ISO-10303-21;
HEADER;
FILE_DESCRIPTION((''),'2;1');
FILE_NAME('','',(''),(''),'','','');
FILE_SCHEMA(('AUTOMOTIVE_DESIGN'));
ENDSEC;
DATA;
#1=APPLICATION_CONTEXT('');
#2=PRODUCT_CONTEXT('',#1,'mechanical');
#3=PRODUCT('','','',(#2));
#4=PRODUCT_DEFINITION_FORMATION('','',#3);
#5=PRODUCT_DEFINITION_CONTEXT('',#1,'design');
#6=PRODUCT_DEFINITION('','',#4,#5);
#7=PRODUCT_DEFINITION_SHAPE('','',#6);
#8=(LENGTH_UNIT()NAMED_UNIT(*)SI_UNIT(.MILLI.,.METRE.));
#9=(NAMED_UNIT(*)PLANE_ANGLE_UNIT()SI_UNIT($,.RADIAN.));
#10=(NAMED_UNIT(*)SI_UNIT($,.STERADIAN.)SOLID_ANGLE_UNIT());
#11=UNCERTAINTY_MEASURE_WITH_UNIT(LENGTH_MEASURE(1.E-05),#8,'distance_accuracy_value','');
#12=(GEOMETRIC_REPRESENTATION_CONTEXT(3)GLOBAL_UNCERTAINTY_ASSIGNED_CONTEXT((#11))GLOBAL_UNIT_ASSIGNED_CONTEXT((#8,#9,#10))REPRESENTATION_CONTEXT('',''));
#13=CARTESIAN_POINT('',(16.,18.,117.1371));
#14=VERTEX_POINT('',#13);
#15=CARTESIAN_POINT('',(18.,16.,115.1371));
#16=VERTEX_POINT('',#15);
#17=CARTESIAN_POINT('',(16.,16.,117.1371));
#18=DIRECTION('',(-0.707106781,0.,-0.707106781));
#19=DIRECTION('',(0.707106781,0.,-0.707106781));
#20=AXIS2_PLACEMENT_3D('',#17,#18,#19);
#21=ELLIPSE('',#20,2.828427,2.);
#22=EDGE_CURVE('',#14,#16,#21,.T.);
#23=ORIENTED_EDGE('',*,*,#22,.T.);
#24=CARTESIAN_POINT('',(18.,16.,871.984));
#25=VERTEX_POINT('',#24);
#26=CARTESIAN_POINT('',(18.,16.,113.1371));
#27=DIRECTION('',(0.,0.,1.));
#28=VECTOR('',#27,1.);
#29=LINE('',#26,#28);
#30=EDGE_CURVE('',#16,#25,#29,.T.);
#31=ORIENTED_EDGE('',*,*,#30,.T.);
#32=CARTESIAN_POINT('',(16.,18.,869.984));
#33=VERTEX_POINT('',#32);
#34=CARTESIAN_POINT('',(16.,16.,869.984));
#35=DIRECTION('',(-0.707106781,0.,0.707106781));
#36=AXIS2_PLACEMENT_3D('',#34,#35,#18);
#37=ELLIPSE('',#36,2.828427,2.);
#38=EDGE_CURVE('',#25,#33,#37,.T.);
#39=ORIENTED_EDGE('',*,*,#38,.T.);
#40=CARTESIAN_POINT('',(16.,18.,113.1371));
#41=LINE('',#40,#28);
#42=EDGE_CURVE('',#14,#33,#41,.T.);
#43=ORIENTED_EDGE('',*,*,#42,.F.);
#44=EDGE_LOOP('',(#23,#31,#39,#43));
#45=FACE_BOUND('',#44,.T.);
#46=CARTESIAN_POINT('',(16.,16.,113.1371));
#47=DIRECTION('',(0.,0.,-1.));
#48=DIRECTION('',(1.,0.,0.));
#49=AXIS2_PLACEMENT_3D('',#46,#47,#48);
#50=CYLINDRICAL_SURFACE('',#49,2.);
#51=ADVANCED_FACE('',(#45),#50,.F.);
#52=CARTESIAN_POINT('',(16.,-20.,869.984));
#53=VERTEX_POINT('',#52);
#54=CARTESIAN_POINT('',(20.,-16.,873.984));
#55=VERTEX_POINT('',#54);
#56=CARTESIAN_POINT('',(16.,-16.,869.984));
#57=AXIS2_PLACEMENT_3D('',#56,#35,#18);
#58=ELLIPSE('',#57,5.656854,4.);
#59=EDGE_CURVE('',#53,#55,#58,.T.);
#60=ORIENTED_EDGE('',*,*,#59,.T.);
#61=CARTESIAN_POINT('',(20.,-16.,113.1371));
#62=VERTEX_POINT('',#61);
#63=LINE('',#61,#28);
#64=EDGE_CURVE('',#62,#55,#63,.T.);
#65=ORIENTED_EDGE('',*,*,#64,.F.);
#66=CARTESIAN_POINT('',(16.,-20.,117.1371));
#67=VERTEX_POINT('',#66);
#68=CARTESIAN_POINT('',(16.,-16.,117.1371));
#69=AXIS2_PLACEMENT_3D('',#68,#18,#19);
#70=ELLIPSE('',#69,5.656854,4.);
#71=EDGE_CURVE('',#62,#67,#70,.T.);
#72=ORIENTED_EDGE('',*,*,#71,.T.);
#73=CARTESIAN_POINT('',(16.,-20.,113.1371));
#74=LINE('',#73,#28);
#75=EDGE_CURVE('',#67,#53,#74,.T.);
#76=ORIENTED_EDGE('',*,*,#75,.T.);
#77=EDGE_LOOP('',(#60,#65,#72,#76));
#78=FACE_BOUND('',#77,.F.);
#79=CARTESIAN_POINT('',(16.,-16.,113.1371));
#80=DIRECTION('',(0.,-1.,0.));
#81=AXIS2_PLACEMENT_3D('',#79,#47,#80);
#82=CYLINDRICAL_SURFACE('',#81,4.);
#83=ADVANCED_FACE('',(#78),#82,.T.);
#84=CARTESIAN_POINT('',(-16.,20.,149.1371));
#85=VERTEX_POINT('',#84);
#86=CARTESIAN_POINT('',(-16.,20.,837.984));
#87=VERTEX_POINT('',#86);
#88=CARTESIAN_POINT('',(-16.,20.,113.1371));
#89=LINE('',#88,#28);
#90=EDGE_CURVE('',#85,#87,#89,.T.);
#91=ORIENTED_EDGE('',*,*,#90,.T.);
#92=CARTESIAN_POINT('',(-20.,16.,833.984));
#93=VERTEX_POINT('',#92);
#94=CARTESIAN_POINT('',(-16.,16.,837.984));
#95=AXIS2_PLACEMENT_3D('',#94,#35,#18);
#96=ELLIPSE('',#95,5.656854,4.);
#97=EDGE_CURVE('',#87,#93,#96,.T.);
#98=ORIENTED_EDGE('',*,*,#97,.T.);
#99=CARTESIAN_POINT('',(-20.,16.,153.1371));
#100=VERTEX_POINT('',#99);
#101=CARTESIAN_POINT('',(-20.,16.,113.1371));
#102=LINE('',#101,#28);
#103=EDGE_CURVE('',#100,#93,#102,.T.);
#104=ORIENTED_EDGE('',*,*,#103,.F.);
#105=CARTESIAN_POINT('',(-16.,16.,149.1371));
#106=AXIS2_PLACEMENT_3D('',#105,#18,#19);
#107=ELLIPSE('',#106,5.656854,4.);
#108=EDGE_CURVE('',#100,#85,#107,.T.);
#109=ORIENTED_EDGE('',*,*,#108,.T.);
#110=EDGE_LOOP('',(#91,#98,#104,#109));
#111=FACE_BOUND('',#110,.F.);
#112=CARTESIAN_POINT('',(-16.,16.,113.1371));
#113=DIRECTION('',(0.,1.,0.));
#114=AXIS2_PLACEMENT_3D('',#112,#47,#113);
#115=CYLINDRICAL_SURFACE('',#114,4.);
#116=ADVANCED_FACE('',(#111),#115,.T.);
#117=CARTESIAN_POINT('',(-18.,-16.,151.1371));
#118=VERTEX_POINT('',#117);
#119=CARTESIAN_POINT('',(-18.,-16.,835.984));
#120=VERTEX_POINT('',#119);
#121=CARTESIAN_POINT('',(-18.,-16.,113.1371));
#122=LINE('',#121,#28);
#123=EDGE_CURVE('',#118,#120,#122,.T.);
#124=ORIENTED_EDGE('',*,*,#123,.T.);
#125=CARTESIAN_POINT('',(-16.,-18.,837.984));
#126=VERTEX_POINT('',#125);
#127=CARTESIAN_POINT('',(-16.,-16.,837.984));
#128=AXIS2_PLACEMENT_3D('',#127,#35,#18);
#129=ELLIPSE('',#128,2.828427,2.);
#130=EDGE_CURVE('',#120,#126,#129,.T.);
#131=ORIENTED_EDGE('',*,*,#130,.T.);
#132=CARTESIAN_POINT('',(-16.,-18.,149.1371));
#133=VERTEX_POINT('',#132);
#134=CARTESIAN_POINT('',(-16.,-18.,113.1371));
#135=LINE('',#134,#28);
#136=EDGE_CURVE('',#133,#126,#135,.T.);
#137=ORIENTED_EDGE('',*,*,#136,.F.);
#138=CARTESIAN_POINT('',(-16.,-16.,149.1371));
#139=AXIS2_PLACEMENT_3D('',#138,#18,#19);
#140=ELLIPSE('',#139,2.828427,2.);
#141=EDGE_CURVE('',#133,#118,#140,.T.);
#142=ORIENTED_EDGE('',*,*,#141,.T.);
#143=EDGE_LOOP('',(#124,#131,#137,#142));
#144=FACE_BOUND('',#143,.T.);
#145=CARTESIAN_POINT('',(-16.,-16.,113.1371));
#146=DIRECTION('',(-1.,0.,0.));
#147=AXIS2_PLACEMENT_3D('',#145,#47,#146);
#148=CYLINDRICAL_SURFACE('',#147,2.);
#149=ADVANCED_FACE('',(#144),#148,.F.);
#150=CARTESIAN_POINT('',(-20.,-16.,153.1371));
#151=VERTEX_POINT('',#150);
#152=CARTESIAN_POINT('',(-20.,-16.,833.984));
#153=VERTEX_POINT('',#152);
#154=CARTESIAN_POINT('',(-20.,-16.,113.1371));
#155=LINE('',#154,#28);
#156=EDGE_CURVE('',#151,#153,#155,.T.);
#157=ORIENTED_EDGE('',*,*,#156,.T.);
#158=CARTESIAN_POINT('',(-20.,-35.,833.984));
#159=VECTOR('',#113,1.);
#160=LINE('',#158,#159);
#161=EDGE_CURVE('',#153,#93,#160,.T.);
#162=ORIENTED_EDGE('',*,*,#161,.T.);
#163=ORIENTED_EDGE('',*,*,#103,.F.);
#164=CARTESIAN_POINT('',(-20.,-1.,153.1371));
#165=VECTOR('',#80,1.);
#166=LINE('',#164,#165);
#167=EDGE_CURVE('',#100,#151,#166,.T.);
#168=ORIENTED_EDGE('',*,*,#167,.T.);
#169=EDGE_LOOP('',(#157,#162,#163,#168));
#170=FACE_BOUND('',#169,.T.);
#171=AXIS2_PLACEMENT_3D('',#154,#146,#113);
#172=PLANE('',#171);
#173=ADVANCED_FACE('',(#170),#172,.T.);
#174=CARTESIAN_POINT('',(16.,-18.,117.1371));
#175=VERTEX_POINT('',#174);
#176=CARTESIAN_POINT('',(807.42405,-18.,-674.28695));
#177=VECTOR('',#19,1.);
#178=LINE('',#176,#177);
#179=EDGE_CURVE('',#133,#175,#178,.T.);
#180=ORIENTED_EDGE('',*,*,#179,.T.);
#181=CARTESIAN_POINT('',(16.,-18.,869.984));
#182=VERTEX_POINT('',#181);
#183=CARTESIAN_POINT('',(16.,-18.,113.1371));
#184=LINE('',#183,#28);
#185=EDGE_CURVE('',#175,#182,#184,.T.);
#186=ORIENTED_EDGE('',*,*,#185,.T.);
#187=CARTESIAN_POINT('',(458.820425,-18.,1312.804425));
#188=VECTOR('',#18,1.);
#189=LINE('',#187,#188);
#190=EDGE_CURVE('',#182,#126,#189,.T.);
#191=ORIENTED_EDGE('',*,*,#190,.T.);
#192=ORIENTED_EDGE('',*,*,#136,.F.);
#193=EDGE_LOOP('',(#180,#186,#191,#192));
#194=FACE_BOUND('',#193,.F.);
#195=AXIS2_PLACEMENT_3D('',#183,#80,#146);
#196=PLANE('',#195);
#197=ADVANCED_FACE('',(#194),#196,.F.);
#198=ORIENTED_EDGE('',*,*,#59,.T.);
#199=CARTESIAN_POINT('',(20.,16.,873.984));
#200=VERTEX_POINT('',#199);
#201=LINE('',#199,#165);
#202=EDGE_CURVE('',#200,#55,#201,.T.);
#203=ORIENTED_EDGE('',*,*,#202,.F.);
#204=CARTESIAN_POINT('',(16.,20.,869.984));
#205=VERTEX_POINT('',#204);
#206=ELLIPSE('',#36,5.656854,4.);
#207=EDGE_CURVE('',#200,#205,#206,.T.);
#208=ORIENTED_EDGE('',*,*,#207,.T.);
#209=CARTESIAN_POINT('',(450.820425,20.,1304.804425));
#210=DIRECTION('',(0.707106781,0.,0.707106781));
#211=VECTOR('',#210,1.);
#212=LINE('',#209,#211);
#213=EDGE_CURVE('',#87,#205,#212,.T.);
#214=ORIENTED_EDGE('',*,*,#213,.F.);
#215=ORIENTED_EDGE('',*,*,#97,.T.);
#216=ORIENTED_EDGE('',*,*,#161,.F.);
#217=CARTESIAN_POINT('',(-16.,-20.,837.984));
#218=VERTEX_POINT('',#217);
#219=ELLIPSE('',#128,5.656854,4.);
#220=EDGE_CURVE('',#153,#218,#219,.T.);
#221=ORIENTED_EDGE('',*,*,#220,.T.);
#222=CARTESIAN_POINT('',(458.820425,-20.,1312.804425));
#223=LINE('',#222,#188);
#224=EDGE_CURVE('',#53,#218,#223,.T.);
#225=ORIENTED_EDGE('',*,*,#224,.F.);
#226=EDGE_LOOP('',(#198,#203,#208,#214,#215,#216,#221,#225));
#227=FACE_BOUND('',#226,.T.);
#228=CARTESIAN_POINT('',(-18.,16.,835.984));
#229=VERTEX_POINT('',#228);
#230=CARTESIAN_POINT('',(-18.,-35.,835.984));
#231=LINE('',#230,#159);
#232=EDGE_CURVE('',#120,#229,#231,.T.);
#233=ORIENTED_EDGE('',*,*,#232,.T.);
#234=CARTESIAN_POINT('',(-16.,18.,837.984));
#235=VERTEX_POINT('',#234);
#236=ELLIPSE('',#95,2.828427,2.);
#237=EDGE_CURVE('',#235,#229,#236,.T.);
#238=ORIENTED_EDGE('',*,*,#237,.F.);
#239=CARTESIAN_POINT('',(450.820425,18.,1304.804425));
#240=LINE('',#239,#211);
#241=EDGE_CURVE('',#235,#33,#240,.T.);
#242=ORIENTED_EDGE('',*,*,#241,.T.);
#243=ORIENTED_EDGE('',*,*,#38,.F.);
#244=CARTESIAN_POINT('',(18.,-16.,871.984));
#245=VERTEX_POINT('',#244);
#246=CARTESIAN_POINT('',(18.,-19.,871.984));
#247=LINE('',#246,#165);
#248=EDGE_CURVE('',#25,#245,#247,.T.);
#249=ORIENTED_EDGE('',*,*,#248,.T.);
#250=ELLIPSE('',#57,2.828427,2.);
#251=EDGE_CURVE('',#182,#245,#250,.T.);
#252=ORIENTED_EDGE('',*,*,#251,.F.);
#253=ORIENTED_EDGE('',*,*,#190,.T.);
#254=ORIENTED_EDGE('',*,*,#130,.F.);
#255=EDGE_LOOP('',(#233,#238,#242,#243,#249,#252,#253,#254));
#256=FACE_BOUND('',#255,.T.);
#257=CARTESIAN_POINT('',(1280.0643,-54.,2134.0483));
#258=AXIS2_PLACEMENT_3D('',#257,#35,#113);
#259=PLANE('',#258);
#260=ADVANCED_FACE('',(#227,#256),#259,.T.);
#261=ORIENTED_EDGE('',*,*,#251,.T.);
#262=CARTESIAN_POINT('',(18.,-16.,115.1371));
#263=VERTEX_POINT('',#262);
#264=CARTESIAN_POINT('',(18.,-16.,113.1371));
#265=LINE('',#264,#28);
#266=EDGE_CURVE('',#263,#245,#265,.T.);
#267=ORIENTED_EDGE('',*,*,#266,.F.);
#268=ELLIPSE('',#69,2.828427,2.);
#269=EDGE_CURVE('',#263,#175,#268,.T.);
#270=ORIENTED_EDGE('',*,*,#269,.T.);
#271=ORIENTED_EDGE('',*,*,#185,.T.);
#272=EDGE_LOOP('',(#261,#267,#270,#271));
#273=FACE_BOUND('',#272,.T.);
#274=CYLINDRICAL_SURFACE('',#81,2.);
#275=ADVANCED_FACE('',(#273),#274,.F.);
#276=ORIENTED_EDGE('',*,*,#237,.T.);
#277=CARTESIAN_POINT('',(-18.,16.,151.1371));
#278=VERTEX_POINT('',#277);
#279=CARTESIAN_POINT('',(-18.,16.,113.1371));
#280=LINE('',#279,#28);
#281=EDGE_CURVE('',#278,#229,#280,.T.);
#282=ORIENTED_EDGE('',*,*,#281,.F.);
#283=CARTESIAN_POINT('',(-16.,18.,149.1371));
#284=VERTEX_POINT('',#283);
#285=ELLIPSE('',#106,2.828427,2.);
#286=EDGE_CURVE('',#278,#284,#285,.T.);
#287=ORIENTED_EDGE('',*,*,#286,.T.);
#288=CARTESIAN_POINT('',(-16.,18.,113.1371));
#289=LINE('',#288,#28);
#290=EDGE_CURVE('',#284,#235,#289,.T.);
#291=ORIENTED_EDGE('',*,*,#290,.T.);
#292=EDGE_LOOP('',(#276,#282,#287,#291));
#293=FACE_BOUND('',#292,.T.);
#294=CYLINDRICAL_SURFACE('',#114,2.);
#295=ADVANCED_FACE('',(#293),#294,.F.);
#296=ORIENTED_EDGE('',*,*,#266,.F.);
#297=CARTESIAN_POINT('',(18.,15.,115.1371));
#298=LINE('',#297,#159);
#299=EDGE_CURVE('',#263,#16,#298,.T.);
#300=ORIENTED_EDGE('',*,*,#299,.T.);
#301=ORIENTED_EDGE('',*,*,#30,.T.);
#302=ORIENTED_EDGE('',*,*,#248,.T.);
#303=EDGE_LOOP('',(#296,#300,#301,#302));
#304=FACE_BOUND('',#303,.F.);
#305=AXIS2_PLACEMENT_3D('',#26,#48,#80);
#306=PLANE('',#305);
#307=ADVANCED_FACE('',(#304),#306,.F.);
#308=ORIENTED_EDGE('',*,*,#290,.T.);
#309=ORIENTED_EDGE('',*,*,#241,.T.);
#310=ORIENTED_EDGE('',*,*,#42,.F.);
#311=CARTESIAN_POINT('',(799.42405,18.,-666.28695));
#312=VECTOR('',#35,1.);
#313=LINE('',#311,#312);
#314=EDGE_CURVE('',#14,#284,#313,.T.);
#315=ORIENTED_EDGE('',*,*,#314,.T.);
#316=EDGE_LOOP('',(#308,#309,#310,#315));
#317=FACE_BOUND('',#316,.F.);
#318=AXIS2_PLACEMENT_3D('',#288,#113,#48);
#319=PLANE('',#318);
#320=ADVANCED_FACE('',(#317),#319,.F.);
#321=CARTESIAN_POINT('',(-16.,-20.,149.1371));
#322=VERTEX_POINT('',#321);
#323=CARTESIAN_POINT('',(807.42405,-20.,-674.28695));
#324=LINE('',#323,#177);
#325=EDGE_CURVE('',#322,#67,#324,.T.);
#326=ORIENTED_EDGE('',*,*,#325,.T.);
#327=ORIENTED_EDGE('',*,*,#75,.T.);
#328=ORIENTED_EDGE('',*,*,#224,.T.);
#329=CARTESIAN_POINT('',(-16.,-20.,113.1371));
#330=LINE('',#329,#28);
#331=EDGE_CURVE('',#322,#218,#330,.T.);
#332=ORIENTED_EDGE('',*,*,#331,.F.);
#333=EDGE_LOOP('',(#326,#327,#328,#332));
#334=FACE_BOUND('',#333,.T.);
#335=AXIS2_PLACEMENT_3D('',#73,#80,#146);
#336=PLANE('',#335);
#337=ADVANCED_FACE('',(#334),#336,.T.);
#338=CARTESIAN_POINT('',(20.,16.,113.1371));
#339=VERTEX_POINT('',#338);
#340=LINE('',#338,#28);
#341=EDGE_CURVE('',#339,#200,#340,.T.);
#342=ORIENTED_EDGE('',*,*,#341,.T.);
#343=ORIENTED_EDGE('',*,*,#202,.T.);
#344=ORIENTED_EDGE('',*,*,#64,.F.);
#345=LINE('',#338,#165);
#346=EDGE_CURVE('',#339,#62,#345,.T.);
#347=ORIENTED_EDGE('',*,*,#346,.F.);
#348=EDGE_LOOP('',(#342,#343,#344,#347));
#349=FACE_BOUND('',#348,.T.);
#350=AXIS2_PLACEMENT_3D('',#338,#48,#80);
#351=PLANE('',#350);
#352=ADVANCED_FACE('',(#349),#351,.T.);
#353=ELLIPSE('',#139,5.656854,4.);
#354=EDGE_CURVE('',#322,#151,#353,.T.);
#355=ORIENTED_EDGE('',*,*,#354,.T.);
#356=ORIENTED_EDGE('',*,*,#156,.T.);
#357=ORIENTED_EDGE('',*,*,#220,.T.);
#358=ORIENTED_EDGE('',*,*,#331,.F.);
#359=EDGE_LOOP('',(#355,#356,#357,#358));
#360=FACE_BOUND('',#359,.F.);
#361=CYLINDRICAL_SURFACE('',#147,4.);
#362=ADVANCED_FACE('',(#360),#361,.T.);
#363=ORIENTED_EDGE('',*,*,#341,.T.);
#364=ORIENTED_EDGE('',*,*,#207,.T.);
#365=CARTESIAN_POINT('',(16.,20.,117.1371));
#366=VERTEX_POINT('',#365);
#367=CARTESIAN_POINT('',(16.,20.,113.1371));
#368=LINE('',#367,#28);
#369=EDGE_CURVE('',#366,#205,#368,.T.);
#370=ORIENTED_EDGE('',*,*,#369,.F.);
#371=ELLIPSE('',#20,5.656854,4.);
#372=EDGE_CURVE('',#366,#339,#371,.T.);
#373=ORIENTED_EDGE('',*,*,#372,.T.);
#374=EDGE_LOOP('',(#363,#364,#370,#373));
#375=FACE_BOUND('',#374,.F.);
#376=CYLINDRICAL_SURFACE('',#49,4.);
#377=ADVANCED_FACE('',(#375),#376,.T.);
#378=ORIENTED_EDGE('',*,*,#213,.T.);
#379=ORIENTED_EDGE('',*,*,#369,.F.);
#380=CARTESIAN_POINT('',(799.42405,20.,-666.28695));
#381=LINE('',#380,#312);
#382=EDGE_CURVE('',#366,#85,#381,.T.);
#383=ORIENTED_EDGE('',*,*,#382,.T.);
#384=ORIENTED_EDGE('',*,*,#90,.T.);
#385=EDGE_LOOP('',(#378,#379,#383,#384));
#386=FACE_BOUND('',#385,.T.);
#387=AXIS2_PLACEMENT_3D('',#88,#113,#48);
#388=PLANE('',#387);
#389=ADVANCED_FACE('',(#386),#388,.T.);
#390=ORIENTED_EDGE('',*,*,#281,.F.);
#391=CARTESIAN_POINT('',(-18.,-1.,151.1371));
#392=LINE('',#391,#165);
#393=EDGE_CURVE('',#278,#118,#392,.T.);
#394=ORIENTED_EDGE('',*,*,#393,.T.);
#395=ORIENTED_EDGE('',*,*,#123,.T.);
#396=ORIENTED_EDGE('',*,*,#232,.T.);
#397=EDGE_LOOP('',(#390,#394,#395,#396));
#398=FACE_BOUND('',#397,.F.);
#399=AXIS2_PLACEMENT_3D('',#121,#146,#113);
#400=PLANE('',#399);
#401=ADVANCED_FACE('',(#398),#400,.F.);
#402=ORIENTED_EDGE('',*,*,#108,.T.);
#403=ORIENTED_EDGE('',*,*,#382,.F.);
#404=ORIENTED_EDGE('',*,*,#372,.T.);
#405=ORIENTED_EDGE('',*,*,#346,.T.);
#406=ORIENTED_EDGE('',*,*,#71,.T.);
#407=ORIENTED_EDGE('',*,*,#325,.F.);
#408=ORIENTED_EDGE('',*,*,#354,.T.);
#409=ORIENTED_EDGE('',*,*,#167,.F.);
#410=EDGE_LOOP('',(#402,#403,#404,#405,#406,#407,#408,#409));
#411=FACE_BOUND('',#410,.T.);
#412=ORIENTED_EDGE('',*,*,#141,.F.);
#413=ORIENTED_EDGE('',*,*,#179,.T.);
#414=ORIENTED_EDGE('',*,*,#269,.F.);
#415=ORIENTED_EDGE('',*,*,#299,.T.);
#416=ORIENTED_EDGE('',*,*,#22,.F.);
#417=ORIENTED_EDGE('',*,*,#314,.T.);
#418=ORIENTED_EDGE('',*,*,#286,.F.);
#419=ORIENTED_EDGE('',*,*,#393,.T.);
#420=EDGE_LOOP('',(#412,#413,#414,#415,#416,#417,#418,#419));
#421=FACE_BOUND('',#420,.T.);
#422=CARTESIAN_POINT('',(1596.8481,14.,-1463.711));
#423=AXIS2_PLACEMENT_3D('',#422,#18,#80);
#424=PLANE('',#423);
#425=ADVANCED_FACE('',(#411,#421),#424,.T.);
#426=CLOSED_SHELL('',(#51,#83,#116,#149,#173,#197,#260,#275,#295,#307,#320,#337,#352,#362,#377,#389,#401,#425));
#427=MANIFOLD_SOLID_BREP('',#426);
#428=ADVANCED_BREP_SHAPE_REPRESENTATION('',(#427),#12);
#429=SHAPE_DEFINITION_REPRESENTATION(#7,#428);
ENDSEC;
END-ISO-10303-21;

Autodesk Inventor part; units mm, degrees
ref_plane "Start Plane" through (0, 0, 113.1371) normal (0, 0, 1) x (1, 0, 0)
ref_plane "End Plane" through (0, 0, 873.984) normal (0, 0, 1) x (1, 0, 0)
sketch "Sketch" plane through (0, 0, 0) normal (0, 0, 1) x (1, 0, 0)
  line L0 (-20, -16) -> (-20, 16)
  line L1 (-16, 20) -> (16, 20)
  line L2 (20, 16) -> (20, -16)
  line L3 (16, -20) -> (-16, -20)
  arc A0 (-20, -16) -> (-16, -20) centre (-16, -16) ccw
  arc A1 (20, 16) -> (16, 20) centre (16, 16) ccw
  arc A2 (-16, 20) -> (-20, 16) centre (-16, 16) ccw
  arc A3 (16, -20) -> (20, -16) centre (16, -16) ccw
  arc A4 (-16, 18) -> (-18, 16) centre (-16, 16) ccw
  line L4 (-16, 18) -> (16, 18)
  arc A5 (18, 16) -> (16, 18) centre (16, 16) ccw
  line L5 (18, 16) -> (18, -16)
  arc A6 (16, -18) -> (18, -16) centre (16, -16) ccw
  line L6 (16, -18) -> (-16, -18)
  arc A7 (-18, -16) -> (-16, -18) centre (-16, -16) ccw
  line L7 (-18, -16) -> (-18, 16)
  line L8 (0, 29.1598) -> (0, -29.1598) construction
  line L9 (-29.1598, 0) -> (29.1598, 0) construction
  dimension "d7" = 4
  dimension "d9" = 40
  dimension "d11" = 40
  dimension "d12" = 2
  dimension "d15" = 20
  dimension "d16" = 20
extrude "Body" add sketch "Sketch" along normal up to surface (760.8469 mm away) from surface at 113.1371
sketch "Sketch3" plane through (0, 0, 0) normal (0, 0, 1) x (1, 0, 0)
  line L0 (0, 0) -> (10, 0)
ref_plane "Work Plane3" through (0, 0, 0) normal (0, -1, 0) x (1, 0, 0)
ref_plane "Work Plane5" through (1280.0643, -54, 2134.0483) normal (-0.7071, 0, 0.7071) x (0.7071, 0, 0.7071)
split "Split2" plane through (1280.0643, -54, 2134.0483) removes the side toward (-0.7071, 0, 0.7071)
ref_plane "Work Plane6" through (1596.8481, 14, -1463.711) normal (-0.7071, 0, -0.7071) x (-0.7071, 0, 0.7071)
split "Split3" plane through (1596.8481, 14, -1463.711) removes the side toward (-0.7071, 0, -0.7071)
sketch "Sketch4" plane through (0, 0, 0) normal (0, -1, 0) x (1, 0, 0)
  line L0 (-2, 113.1371) -> (12, 113.1371) projected
  line L1 (-2, 873.984) -> (12, 873.984) projected
  dimension "d18" = 760.8469
equation "\"d7\" = G_IR"
equation "\"d9\" = G_W"
equation "\"d11\" = G_H"
equation "\"d12\" = G_T"
equation "\"d15\" = 0.5 * d9"
equation "\"d16\" = 0.5 * d11"
equation "\"d3\" = G_L"
equation "\"G_W\" = 40"
equation "\"G_H\" = 40"
equation "\"G_T\" = 2"
equation "\"G_IR\" = 4"
equation "\"G_L\" = d18"
equation "\"G_OFFSET_START\" = -113.13708"
equation "\"G_OFFSET_END\" = -113.13708"
equation "\"d13\" = -G_OFFSET_START"
equation "\"d14\" = G_OFFSET_END + B_L"
equation "\"B_L\" = 987.12107"
properties part number "ISO 10799-2 - 40x40x2 - 760,85" material "Steel, Mild"
